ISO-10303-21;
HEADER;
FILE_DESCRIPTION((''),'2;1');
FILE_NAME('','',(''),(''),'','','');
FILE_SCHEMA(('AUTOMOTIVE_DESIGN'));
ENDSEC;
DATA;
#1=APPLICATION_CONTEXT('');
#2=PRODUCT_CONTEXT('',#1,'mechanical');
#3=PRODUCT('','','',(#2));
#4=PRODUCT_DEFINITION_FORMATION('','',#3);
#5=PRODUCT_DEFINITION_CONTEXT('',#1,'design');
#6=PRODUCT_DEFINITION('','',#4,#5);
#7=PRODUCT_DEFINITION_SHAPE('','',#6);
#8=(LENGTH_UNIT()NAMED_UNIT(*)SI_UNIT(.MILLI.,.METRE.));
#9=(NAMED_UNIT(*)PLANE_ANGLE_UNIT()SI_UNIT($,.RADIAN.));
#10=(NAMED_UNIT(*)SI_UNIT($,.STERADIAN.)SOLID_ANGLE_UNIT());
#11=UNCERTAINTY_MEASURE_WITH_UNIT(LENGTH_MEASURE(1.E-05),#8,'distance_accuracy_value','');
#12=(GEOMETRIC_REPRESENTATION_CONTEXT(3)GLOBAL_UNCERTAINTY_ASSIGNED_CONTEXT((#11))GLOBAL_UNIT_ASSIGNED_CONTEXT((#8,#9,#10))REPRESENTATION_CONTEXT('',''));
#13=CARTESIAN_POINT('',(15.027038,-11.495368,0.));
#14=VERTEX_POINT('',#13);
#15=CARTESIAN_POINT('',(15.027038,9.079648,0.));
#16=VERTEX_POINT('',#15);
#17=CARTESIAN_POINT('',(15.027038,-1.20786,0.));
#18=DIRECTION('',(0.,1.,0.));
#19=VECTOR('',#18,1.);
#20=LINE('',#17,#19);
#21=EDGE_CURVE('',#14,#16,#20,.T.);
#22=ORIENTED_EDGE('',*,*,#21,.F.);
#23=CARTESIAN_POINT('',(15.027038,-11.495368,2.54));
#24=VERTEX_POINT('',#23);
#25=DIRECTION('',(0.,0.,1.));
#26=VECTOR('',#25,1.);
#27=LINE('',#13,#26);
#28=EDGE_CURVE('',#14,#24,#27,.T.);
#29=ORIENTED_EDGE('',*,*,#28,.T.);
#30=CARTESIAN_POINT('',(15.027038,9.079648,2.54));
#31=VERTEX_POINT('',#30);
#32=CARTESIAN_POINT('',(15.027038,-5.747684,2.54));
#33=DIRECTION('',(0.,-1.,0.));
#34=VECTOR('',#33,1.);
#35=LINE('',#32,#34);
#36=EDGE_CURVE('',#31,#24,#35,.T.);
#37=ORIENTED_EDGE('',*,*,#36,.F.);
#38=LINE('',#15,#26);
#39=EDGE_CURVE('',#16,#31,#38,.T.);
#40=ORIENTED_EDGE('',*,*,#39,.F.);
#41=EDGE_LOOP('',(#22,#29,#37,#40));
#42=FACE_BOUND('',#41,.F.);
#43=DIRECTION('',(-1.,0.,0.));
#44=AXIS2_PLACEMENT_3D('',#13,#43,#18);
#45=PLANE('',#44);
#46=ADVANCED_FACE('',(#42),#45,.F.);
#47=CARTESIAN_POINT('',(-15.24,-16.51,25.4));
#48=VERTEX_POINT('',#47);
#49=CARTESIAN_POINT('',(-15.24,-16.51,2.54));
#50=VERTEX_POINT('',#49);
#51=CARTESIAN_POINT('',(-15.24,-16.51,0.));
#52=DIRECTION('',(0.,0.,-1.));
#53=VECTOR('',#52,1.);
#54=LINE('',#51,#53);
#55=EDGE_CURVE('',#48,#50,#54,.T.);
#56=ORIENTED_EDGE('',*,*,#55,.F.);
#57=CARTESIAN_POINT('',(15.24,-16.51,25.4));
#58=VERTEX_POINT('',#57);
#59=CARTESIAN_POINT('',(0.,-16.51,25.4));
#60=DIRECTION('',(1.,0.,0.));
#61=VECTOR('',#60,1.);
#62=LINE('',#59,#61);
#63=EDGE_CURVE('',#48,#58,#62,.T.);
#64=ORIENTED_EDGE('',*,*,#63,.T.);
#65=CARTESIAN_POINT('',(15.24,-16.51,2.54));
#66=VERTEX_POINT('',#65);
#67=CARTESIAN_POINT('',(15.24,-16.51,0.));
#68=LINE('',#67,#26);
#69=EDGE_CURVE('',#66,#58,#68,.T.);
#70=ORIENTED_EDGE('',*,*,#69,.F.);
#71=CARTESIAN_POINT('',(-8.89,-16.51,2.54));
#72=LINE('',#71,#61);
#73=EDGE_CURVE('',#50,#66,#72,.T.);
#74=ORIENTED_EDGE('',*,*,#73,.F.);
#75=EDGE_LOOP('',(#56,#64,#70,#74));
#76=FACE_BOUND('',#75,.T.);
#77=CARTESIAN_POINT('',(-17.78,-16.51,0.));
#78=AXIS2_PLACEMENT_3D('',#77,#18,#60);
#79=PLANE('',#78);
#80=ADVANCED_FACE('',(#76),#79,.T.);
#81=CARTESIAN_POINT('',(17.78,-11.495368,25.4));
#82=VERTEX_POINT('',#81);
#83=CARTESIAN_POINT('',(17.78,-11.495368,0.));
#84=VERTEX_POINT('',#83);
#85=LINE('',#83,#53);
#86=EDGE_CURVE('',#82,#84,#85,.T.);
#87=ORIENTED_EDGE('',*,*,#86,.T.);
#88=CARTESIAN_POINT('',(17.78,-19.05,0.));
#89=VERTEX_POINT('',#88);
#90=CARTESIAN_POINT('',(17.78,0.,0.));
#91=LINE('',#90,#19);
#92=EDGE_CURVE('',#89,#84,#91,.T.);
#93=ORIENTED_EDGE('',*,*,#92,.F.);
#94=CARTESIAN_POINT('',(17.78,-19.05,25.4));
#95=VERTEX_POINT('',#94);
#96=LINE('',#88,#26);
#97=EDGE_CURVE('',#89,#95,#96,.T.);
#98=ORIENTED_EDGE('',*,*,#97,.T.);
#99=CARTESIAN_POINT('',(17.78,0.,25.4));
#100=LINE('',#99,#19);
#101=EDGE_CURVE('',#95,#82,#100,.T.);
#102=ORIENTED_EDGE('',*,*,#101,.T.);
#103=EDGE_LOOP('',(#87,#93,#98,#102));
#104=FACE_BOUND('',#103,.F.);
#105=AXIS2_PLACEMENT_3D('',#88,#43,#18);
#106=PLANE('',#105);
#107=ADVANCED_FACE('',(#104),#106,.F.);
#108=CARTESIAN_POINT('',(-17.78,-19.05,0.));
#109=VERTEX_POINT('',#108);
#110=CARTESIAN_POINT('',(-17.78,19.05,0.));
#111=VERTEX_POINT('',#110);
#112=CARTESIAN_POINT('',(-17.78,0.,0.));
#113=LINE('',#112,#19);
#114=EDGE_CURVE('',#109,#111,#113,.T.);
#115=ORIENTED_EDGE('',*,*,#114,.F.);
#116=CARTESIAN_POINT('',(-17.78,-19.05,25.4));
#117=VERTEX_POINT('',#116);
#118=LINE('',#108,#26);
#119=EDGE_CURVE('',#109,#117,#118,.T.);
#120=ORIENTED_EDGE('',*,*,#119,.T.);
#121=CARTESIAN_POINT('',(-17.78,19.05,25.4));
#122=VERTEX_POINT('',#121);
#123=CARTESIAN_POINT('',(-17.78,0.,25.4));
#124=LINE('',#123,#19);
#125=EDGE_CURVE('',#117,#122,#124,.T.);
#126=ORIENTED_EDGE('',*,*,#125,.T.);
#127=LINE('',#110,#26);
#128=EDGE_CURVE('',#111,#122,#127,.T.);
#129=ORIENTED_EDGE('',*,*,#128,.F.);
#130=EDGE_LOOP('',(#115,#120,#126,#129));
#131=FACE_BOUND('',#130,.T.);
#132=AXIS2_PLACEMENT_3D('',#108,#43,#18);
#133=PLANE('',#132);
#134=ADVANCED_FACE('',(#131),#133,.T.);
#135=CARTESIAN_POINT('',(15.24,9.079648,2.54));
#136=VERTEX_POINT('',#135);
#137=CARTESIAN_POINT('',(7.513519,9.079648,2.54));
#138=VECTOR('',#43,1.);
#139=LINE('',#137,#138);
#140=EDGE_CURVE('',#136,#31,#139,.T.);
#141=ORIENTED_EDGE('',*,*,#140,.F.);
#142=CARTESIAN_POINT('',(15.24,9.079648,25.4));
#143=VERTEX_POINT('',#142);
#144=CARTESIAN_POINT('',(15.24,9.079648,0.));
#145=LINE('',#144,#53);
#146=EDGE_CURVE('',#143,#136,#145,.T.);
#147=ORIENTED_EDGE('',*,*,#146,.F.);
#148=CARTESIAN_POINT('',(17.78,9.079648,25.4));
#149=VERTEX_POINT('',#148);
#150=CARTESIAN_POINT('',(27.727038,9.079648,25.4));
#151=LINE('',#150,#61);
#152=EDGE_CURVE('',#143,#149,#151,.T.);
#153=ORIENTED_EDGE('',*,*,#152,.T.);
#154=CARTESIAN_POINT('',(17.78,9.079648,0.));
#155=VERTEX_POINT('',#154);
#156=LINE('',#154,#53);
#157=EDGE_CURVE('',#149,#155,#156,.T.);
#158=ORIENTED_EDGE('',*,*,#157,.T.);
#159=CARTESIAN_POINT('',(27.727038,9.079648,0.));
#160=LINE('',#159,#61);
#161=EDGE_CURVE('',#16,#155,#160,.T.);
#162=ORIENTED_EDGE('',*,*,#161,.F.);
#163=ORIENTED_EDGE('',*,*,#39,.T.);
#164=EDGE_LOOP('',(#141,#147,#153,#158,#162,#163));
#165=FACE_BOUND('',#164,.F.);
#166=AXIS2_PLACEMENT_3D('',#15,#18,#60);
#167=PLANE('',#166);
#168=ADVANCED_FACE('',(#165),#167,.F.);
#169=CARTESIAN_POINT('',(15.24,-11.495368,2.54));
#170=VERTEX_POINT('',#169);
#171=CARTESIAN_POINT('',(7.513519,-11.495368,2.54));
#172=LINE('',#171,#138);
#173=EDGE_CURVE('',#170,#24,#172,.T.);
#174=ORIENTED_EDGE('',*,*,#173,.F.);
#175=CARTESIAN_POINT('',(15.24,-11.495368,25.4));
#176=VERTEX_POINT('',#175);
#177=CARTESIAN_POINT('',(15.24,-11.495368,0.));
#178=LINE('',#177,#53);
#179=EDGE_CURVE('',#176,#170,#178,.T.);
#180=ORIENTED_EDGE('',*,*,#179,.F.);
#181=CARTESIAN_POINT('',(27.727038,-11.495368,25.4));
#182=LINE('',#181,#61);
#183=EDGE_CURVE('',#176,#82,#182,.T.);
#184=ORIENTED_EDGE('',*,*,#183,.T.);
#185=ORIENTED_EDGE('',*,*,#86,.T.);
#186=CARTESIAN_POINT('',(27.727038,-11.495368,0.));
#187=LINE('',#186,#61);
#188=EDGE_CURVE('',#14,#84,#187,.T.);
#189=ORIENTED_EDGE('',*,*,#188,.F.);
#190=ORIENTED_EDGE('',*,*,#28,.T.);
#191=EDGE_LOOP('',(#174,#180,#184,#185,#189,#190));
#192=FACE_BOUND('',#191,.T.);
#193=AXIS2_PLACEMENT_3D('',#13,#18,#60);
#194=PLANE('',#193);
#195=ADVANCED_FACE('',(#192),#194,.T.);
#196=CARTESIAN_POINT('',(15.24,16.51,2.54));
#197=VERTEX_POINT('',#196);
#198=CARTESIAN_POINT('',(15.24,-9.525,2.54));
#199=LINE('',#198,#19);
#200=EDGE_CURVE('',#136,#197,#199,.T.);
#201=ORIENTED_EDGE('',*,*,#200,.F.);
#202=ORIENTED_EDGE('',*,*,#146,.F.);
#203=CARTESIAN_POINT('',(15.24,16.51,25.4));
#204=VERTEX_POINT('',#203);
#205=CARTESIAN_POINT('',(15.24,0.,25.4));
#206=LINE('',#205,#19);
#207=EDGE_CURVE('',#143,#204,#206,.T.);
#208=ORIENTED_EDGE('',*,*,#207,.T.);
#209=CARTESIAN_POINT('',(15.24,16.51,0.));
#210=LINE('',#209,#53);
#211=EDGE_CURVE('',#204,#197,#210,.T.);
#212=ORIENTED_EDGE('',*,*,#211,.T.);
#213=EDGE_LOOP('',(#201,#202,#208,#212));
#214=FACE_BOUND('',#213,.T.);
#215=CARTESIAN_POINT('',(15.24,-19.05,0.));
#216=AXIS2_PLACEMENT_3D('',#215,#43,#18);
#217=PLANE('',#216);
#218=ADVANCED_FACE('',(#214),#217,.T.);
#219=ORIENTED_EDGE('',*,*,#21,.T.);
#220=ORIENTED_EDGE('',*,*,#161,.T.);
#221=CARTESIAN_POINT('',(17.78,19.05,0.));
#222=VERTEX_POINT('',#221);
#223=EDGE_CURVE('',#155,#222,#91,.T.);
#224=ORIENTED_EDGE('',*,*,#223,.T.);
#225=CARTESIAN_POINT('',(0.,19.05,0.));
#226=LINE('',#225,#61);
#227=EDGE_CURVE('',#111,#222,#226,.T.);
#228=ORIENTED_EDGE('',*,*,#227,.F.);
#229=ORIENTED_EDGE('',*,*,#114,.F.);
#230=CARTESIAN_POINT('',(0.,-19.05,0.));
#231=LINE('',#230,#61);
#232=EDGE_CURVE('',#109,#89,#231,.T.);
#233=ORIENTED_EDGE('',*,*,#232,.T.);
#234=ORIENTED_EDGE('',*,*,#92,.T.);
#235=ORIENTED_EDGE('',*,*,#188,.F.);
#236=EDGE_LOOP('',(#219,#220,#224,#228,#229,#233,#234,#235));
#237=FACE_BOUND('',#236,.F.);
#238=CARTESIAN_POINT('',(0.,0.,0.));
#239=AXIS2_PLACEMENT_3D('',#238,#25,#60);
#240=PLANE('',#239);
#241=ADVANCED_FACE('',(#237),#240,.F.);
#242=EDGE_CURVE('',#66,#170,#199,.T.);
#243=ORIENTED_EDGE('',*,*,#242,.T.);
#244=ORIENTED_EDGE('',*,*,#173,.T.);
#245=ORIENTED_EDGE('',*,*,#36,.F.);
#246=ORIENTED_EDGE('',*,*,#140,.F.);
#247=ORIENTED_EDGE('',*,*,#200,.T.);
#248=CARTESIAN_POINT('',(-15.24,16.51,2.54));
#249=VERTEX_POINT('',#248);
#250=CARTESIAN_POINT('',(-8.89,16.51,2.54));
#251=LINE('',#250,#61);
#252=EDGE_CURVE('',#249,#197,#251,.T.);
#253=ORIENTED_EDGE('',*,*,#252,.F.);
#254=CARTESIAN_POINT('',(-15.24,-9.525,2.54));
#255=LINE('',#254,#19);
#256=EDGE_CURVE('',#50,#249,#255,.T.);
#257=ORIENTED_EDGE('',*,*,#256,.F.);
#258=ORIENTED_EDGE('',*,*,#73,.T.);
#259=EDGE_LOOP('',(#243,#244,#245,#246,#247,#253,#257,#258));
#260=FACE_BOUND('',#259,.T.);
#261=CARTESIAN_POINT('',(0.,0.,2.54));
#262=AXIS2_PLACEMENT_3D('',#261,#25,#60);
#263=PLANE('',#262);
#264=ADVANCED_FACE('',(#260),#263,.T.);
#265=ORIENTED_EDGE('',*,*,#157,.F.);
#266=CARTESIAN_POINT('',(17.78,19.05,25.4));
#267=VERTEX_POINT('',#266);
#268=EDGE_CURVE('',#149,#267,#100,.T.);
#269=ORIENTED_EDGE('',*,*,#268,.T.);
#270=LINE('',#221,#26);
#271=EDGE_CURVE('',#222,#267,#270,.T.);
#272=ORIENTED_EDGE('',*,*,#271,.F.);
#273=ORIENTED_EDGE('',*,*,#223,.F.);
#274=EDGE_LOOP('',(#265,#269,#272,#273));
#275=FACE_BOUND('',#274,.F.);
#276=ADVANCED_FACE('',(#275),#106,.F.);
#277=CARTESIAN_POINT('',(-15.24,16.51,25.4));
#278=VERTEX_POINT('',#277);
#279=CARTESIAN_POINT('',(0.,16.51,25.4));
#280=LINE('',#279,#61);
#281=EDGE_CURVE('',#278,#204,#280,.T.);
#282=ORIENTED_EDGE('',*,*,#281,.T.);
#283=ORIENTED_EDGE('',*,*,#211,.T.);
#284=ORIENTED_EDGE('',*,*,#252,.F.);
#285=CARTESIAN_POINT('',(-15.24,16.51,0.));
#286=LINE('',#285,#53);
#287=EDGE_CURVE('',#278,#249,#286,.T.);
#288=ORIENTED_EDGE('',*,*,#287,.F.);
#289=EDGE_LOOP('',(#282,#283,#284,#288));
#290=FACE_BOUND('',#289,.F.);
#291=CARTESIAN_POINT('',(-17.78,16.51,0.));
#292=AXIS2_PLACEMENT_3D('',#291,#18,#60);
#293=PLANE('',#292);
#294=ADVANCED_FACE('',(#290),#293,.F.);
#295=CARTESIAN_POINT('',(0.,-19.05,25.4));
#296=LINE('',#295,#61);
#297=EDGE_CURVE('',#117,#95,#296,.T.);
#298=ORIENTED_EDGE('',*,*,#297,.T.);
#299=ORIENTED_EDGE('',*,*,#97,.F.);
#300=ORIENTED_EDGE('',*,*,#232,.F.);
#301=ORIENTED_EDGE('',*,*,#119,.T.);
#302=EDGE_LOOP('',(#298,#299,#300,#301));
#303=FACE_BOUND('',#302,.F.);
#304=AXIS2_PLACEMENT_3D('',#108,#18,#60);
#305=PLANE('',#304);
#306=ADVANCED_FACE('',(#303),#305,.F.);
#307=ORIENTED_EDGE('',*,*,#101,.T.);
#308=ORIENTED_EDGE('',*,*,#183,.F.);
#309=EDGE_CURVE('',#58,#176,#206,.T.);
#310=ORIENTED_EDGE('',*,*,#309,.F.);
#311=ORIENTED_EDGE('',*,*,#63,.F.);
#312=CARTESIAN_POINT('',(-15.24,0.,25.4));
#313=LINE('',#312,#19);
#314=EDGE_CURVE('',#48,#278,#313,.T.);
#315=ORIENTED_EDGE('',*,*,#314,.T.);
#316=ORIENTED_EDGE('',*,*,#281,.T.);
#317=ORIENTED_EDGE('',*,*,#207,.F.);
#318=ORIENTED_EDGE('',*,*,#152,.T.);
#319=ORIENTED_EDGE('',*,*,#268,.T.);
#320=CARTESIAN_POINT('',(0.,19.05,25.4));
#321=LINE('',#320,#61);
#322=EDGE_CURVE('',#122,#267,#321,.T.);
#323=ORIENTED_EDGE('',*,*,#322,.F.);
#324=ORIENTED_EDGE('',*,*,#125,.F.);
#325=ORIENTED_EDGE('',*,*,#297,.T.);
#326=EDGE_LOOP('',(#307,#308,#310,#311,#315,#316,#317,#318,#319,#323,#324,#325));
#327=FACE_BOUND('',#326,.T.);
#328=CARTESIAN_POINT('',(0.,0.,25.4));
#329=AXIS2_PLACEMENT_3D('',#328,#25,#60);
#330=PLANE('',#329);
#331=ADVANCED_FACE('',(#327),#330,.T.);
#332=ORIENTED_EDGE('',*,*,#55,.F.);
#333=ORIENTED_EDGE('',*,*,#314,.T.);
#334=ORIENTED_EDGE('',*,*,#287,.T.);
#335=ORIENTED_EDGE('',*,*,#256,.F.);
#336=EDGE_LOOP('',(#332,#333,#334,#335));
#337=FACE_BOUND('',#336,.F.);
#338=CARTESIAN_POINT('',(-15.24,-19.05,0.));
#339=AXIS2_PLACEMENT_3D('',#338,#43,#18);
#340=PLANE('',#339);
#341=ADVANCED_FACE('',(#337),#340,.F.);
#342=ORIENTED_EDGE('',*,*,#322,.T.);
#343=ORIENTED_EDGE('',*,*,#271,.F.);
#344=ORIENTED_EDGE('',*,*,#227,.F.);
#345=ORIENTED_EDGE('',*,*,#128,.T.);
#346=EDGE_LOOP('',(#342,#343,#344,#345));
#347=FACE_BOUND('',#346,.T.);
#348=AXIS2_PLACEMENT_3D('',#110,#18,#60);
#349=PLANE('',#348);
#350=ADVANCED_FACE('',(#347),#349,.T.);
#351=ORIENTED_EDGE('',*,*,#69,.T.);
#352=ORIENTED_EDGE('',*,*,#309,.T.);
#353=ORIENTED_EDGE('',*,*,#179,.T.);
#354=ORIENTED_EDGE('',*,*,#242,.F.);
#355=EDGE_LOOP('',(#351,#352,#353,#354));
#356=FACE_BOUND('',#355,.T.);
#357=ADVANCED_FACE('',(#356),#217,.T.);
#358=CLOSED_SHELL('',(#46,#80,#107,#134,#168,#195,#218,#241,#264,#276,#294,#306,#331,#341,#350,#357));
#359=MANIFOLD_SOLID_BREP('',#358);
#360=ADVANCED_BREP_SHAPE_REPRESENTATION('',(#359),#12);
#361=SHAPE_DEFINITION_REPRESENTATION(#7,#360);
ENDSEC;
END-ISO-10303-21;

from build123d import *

# Parameters (mm, degrees)
F0_W     = 35.56
F0_H     = 38.1
F1_DEPTH = 25.4
F2_T     = -2.54
F3_W     = 25.4
F3_H     = 20.575015
F4_DEPTH = 25.4


with BuildPart() as f1:
    # F0 (on Top) → F1 (new body)
    with BuildSketch(Plane.XY):
        Rectangle(F0_W, F0_H)
    extrude(amount=F1_DEPTH)

    # F2
    f2_openings = [f1.faces().sort_by_distance(p)[0] for p in [
        (0, 0, 25.4),
    ]]
    offset(amount=F2_T, openings=f2_openings)

    # F3 (on Top) → F4 (cut)
    with BuildSketch(Plane.XY):
        with Locations((27.727038, -1.20786)):
            Rectangle(F3_W, F3_H)
    extrude(amount=F4_DEPTH, mode=Mode.SUBTRACT)


solid = f1.part
